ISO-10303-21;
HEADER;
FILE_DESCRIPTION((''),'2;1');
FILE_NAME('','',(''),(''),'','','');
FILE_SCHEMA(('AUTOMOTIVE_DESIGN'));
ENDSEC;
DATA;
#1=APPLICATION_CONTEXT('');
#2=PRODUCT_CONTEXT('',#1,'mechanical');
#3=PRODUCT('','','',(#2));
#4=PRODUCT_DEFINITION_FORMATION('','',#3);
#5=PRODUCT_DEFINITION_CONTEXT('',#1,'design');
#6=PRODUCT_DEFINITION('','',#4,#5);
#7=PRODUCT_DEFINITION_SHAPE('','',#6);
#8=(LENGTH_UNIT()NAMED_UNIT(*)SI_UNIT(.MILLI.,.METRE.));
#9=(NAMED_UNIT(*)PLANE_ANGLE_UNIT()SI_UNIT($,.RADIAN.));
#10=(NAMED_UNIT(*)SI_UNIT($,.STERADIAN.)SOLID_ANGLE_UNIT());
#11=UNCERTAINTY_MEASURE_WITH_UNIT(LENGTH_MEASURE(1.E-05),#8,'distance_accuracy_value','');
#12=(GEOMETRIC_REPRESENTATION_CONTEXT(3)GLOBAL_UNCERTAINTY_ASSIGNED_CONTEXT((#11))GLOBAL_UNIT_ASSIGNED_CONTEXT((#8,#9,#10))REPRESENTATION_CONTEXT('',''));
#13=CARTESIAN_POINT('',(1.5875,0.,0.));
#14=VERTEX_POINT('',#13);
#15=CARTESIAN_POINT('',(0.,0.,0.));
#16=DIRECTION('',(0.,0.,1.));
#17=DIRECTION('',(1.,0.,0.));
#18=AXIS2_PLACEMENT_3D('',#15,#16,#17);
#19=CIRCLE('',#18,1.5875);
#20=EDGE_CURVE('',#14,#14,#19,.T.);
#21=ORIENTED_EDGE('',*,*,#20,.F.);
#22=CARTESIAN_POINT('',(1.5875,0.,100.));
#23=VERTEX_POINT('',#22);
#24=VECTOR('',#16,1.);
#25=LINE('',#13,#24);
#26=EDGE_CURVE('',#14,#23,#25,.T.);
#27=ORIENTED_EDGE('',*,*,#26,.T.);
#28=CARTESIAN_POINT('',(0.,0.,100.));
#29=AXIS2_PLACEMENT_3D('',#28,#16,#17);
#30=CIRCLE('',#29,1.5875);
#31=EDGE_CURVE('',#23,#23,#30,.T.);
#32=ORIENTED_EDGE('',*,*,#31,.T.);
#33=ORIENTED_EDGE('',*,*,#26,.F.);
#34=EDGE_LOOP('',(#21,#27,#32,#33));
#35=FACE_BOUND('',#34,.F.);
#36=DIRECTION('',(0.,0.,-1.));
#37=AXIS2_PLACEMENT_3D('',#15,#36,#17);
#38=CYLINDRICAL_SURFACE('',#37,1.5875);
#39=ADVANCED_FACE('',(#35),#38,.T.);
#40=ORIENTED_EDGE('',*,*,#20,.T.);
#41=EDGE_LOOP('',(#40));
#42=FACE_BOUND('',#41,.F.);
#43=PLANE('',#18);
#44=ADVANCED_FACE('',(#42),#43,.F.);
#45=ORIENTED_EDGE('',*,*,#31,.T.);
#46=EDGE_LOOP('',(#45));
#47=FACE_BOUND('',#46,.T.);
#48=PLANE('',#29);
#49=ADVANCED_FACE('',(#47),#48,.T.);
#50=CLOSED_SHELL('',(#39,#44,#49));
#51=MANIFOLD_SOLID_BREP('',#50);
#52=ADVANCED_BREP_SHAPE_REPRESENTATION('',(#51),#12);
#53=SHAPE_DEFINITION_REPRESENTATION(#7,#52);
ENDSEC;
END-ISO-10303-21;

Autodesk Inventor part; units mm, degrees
ref_plane "YZ Plane" through (0, 0, 0) normal (1, 0, 0) x (0, 1, 0)
ref_plane "Start Plane" through (0, 0, 0) normal (0, 0, 1) x (1, 0, 0)
ref_plane "End Plane" through (0, 0, 100) normal (0, 0, 1) x (1, 0, 0)
sketch "Sketch" plane through (0, 0, 0) normal (0, 0, 1) x (1, 0, 0)
  circle A0 centre (0, 0) radius 1.5875
  dimension "d0" = 3.175
extrude "Body" add sketch "Sketch" along normal up to surface (100 mm away) from surface at 0
sketch "Sketch2" plane through (0, 0, 0) normal (0, 0, 1) x (1, 0, 0)
  line L0 (0, 0) -> (10, 0)
ref_plane "Work Plane3" through (0, 0, 0) normal (0, -1, 0) x (1, 0, 0)
sketch "Sketch3" plane through (0, 0, 0) normal (0, -1, 0) x (1, 0, 0)
  line L0 (-2, 0) -> (12, 0)
  line L1 (-2, 100) -> (12, 100)
  dimension "d7" = 100
equation "\"d0\" = Diam"
equation "\"d1\" = G_L"
equation "\"Diam\" = 3.175"
equation "\"G_L\" = d7"
equation "\"G_OFFSET_START\" = 0"
equation "\"G_OFFSET_END\" = 0"
equation "\"d5\" = G_OFFSET_END + B_L"
equation "\"B_L\" = 100"
properties part number "ANSI/AISC Rolled Steel - 1/8-3,937, RB" material "Steel, Mild"
